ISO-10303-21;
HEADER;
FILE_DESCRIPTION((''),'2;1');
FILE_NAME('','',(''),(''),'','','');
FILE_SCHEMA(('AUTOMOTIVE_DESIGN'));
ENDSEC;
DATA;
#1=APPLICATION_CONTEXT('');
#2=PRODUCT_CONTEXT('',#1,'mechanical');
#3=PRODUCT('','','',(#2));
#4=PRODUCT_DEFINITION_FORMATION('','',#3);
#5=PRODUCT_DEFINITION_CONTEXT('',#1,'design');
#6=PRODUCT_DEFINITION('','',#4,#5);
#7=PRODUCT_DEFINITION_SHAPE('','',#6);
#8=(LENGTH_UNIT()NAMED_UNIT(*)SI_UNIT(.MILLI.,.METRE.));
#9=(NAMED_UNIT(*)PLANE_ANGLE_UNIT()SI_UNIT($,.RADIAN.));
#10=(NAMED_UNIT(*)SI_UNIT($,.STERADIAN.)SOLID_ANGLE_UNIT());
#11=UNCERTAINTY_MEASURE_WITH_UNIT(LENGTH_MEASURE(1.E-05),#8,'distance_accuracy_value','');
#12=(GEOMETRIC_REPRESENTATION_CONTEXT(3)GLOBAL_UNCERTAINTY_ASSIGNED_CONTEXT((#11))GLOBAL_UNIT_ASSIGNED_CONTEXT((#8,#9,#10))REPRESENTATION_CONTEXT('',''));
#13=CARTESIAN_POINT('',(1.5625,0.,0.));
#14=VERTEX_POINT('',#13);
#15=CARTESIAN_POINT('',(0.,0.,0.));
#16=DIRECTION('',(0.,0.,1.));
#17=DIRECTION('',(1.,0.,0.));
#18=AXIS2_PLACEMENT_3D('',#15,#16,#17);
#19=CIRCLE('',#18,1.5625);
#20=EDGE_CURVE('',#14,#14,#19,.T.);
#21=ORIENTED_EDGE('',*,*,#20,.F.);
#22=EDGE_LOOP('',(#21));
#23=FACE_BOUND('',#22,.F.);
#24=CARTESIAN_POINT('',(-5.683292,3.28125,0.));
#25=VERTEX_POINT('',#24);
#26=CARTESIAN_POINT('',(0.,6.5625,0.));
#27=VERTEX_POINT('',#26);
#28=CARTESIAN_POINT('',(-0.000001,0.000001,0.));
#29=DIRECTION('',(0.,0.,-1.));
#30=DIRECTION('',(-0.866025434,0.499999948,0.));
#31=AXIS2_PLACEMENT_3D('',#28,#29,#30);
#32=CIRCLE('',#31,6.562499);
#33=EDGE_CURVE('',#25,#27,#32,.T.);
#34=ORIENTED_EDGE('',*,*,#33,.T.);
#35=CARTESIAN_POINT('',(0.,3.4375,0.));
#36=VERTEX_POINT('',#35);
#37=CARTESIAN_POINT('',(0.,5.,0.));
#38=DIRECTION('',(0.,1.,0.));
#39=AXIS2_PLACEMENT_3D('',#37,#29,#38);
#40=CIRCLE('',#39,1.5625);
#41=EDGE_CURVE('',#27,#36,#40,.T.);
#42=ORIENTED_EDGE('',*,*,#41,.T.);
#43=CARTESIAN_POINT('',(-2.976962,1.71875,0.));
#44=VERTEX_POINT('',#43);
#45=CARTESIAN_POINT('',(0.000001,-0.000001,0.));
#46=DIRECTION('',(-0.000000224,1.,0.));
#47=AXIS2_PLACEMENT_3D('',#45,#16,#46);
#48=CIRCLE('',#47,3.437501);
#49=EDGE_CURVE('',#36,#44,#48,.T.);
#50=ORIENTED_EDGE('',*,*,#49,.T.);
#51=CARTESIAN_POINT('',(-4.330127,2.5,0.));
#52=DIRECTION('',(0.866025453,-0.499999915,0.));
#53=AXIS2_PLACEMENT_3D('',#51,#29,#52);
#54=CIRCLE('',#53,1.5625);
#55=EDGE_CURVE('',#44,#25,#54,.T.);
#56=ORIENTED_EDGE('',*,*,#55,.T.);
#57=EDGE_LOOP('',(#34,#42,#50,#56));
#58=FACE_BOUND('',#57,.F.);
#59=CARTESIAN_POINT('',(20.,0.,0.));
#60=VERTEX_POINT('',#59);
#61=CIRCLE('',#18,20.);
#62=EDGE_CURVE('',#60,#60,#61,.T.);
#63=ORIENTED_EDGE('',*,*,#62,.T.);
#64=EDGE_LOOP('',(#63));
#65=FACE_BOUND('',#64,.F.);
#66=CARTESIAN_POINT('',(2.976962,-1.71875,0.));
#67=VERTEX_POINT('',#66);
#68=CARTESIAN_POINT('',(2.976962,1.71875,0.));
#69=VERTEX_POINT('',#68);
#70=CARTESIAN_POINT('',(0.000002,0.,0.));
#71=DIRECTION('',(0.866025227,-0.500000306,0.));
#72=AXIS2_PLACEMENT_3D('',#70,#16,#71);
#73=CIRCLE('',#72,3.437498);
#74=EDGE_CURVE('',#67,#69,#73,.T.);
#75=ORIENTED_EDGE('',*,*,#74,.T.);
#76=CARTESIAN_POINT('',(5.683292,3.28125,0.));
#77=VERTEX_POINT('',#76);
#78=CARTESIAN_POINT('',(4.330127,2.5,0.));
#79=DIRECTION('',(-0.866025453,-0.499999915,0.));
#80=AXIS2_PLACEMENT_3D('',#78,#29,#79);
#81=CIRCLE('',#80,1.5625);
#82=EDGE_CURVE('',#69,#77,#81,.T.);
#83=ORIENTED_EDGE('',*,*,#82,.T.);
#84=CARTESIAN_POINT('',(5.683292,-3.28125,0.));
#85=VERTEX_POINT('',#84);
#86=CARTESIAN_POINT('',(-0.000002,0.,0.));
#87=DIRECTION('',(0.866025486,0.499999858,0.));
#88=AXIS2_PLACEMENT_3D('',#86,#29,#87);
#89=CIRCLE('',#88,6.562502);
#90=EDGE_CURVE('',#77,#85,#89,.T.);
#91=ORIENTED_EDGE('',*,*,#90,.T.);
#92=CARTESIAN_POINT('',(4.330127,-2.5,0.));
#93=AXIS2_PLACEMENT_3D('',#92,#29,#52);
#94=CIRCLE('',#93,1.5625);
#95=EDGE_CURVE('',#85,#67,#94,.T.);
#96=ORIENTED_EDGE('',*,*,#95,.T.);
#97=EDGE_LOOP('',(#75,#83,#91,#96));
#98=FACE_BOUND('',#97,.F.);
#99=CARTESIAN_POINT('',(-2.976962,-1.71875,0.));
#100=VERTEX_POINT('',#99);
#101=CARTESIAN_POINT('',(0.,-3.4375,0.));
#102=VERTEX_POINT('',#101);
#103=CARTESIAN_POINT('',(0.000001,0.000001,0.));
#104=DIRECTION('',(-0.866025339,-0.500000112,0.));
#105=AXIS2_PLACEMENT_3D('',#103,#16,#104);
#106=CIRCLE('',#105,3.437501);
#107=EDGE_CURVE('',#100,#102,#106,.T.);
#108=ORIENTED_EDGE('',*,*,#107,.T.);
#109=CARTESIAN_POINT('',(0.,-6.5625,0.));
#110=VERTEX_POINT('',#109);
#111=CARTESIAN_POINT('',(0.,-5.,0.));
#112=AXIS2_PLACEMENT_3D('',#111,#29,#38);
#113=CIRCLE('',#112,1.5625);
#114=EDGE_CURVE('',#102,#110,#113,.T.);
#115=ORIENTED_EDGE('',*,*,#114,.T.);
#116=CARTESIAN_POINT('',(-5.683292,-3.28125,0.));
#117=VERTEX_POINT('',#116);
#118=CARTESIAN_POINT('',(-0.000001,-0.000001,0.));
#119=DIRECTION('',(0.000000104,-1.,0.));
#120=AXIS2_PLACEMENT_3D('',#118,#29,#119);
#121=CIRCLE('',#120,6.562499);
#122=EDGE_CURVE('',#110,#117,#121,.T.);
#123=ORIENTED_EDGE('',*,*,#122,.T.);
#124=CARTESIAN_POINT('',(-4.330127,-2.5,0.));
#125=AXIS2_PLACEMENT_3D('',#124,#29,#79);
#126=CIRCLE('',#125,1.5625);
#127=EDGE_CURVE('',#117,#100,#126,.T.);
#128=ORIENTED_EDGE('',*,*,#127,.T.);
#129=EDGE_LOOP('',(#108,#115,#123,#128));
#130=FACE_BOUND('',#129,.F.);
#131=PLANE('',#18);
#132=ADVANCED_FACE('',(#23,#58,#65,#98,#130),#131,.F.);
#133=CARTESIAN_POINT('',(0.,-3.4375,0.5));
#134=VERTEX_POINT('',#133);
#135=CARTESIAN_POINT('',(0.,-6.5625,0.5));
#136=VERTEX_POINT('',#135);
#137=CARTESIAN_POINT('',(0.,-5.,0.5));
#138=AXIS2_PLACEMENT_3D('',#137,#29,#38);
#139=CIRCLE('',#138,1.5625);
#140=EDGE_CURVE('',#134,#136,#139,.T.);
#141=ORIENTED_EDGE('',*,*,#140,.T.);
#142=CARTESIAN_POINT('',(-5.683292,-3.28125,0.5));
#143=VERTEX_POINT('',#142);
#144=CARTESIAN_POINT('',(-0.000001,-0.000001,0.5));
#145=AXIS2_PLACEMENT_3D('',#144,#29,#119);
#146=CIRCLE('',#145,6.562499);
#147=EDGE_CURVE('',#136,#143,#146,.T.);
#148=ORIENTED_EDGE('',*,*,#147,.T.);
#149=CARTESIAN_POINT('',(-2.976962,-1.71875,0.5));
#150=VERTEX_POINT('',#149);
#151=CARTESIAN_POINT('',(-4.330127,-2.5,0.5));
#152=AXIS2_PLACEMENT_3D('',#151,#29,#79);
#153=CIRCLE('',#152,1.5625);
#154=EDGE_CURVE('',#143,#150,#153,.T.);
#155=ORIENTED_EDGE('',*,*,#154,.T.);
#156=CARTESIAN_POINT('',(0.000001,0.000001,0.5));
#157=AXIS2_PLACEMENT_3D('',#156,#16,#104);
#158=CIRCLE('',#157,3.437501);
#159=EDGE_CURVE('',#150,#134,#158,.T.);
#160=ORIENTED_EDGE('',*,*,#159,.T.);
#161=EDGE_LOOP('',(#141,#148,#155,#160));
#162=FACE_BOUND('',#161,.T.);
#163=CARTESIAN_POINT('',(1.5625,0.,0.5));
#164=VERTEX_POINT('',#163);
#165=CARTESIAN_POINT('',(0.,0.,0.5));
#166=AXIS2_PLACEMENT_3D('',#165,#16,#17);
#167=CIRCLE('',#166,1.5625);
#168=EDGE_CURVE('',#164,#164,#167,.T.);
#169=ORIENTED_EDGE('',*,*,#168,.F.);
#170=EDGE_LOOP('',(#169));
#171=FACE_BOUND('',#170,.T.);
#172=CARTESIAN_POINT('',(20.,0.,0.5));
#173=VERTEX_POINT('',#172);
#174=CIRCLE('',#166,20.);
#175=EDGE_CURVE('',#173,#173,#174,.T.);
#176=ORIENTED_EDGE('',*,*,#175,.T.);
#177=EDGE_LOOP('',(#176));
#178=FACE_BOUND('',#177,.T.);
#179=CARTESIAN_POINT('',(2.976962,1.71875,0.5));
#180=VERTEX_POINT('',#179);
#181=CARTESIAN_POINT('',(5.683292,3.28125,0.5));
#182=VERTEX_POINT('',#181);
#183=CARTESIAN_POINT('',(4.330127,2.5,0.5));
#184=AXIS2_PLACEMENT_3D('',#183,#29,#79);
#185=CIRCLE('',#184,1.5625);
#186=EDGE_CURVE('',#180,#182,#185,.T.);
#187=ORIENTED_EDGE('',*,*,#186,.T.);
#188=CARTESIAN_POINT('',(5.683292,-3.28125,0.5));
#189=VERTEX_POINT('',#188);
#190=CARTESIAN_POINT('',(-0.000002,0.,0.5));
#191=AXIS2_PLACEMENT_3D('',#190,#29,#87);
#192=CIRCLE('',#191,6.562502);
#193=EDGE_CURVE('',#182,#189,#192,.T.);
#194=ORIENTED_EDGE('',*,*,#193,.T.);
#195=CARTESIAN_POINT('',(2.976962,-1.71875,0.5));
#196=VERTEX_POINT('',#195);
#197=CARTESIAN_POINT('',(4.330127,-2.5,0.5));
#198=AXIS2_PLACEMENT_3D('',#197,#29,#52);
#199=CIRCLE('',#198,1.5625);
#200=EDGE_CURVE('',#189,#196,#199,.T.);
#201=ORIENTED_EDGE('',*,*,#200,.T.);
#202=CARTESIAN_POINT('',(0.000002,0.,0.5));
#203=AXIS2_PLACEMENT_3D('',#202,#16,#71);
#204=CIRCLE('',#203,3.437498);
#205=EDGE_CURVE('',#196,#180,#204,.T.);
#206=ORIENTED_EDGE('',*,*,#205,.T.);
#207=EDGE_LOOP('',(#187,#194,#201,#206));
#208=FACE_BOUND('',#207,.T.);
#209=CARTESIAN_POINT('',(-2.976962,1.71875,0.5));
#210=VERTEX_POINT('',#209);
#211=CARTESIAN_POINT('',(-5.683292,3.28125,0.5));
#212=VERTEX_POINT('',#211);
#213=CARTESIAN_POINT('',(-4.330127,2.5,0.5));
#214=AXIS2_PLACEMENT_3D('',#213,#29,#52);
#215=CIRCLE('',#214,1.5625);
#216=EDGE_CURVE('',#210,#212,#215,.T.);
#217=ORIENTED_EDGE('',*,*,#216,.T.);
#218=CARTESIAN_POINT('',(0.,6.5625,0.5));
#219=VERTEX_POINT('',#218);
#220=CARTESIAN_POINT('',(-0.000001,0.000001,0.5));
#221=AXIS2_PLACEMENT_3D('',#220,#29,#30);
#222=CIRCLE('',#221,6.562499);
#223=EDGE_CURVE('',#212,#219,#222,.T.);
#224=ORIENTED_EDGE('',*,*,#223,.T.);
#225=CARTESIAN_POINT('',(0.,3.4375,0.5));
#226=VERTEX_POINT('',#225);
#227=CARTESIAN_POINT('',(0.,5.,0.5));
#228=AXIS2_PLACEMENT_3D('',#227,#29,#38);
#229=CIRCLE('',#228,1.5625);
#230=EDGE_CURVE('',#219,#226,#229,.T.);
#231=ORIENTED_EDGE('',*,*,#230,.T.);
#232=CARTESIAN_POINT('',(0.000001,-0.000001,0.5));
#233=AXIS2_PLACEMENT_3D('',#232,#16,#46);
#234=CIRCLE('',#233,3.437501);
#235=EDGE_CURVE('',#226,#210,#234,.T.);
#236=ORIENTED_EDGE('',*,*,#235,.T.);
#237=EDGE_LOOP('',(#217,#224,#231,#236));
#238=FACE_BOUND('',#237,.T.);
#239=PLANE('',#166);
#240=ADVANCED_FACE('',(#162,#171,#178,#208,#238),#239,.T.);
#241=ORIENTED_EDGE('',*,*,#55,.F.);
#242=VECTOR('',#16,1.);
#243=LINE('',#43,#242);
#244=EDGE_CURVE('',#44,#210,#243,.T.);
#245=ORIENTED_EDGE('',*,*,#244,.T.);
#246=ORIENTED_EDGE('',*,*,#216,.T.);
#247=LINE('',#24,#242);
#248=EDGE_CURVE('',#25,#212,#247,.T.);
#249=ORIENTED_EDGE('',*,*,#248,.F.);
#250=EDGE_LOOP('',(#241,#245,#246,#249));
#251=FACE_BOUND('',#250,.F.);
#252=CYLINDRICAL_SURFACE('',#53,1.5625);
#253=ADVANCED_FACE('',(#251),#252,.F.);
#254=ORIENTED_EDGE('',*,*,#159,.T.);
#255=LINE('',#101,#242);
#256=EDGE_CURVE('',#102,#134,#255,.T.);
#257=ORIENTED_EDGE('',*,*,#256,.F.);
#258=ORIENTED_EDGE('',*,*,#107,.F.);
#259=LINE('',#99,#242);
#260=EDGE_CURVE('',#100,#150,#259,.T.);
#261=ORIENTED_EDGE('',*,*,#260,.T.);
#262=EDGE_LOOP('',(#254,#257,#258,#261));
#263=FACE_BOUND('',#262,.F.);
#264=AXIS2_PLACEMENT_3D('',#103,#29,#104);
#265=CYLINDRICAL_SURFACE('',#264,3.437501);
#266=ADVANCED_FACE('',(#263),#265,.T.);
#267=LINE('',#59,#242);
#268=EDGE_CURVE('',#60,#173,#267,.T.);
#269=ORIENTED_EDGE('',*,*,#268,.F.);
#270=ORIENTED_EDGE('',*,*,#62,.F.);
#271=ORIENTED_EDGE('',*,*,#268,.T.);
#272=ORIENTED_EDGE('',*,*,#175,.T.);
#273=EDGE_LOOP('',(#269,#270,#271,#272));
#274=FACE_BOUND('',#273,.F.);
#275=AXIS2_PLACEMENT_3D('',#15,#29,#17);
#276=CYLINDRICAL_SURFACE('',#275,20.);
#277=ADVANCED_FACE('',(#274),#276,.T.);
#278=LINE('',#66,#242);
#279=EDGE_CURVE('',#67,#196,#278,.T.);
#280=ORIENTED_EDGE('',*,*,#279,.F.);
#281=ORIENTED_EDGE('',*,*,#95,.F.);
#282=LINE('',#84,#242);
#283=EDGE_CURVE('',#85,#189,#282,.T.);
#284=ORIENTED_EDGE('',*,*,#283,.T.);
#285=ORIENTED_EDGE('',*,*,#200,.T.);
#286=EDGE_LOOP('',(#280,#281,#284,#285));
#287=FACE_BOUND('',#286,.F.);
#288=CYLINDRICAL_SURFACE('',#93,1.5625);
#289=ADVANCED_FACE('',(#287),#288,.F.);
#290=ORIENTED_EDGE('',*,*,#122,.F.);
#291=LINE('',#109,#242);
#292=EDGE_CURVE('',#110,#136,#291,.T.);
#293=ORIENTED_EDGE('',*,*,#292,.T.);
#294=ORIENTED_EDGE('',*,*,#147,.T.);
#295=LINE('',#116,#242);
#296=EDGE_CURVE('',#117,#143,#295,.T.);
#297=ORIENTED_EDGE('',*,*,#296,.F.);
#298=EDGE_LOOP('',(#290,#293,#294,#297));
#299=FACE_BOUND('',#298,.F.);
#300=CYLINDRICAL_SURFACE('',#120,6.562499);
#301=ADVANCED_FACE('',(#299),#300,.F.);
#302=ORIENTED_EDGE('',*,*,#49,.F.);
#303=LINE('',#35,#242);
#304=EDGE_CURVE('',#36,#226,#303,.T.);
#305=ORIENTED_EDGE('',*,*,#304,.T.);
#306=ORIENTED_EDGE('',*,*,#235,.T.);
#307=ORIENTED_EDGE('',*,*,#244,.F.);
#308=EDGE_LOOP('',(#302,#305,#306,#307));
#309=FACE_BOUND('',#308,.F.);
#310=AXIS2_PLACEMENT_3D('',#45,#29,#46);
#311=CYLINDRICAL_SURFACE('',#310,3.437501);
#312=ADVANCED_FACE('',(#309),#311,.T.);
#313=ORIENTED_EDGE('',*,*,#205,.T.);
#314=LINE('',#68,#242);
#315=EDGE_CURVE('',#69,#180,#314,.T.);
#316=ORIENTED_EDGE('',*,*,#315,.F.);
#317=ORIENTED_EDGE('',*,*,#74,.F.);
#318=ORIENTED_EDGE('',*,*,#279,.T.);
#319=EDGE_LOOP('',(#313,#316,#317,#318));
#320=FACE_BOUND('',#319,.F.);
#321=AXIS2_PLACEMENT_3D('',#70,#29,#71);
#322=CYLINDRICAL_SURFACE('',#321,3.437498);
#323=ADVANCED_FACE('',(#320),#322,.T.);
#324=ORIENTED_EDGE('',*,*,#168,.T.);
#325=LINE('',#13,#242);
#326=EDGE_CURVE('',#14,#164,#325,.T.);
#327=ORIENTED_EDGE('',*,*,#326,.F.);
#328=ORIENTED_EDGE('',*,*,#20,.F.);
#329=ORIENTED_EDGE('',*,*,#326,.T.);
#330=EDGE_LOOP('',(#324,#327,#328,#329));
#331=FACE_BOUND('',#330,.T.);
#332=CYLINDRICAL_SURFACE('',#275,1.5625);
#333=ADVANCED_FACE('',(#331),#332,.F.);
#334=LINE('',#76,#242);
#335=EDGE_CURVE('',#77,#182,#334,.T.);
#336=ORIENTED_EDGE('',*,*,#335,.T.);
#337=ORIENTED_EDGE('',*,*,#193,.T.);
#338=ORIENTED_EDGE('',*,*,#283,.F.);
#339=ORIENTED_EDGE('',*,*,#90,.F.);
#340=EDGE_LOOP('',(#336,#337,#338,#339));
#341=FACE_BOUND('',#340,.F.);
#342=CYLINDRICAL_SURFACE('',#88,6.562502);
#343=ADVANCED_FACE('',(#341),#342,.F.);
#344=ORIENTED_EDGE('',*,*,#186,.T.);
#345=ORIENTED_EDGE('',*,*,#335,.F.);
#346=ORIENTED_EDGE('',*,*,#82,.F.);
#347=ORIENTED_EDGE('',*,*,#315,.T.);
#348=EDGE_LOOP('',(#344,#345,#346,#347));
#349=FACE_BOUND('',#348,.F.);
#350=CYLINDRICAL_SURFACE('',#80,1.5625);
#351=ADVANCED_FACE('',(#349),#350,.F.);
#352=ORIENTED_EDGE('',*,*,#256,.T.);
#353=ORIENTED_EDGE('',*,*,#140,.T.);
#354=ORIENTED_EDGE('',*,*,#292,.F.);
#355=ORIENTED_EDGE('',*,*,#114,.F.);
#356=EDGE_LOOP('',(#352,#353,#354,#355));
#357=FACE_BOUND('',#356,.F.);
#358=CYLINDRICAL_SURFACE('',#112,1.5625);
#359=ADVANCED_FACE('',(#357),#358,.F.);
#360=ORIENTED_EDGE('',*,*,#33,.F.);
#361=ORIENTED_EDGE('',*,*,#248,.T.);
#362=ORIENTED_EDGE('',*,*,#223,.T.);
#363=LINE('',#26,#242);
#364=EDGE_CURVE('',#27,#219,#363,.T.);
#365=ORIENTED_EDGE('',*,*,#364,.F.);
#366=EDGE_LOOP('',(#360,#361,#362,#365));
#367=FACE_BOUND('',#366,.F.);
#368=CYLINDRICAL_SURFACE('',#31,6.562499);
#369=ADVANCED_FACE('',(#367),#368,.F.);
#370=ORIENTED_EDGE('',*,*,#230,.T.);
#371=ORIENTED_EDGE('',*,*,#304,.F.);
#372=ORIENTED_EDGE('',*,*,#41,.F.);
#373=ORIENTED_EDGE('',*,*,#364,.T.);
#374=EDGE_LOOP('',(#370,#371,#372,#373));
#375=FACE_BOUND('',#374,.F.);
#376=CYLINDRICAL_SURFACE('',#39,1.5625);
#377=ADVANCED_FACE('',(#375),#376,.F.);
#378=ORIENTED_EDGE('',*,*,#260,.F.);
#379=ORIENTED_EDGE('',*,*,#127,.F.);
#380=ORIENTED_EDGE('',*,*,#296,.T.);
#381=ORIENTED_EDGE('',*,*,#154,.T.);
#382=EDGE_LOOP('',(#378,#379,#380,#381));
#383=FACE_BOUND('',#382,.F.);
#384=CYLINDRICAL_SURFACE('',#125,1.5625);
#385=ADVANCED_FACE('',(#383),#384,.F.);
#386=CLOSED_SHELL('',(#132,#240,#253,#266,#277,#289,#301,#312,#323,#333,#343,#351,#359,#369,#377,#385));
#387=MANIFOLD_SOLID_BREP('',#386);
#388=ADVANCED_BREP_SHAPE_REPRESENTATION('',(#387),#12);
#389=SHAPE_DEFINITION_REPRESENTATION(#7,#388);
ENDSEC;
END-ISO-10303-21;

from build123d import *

# Parameters (mm, degrees)
F0_R     = 20
F0_R_2   = 1.5625
F1_DEPTH = 0.5


with BuildPart() as f1:
    # F0 (on Top) → F1 (new body)
    with BuildSketch(Plane.XY):
        Circle(F0_R)
        with BuildLine():
            ThreePointArc((-5.683292, -3.28125), (-5.111377, -1.146835), (-2.976962, -1.71875))
            ThreePointArc((-2.976962, -1.71875), (-1.71875, -2.976962), (0, -3.4375))
            ThreePointArc((0, -3.4375), (1.5625, -5), (0, -6.5625))
            ThreePointArc((0, -6.5625), (-3.28125, -5.683292), (-5.683292, -3.28125))
        make_face(mode=Mode.SUBTRACT)
        with BuildLine():
            ThreePointArc((0, 6.5625), (1.5625, 5), (0, 3.4375))
            ThreePointArc((0, 3.4375), (-1.71875, 2.976962), (-2.976962, 1.71875))
            ThreePointArc((-2.976962, 1.71875), (-5.111377, 1.146835), (-5.683292, 3.28125))
            ThreePointArc((-5.683292, 3.28125), (-3.28125, 5.683292), (0, 6.5625))
        make_face(mode=Mode.SUBTRACT)
        Circle(F0_R_2, mode=Mode.SUBTRACT)
        with BuildLine():
            ThreePointArc((5.683292, -3.28125), (3.548877, -3.853165), (2.976962, -1.71875))
            ThreePointArc((2.976962, -1.71875), (3.4375, 0), (2.976962, 1.71875))
            ThreePointArc((2.976962, 1.71875), (3.548877, 3.853165), (5.683292, 3.28125))
            ThreePointArc((5.683292, 3.28125), (6.5625, 0), (5.683292, -3.28125))
        make_face(mode=Mode.SUBTRACT)
    extrude(amount=F1_DEPTH)


solid = f1.part
